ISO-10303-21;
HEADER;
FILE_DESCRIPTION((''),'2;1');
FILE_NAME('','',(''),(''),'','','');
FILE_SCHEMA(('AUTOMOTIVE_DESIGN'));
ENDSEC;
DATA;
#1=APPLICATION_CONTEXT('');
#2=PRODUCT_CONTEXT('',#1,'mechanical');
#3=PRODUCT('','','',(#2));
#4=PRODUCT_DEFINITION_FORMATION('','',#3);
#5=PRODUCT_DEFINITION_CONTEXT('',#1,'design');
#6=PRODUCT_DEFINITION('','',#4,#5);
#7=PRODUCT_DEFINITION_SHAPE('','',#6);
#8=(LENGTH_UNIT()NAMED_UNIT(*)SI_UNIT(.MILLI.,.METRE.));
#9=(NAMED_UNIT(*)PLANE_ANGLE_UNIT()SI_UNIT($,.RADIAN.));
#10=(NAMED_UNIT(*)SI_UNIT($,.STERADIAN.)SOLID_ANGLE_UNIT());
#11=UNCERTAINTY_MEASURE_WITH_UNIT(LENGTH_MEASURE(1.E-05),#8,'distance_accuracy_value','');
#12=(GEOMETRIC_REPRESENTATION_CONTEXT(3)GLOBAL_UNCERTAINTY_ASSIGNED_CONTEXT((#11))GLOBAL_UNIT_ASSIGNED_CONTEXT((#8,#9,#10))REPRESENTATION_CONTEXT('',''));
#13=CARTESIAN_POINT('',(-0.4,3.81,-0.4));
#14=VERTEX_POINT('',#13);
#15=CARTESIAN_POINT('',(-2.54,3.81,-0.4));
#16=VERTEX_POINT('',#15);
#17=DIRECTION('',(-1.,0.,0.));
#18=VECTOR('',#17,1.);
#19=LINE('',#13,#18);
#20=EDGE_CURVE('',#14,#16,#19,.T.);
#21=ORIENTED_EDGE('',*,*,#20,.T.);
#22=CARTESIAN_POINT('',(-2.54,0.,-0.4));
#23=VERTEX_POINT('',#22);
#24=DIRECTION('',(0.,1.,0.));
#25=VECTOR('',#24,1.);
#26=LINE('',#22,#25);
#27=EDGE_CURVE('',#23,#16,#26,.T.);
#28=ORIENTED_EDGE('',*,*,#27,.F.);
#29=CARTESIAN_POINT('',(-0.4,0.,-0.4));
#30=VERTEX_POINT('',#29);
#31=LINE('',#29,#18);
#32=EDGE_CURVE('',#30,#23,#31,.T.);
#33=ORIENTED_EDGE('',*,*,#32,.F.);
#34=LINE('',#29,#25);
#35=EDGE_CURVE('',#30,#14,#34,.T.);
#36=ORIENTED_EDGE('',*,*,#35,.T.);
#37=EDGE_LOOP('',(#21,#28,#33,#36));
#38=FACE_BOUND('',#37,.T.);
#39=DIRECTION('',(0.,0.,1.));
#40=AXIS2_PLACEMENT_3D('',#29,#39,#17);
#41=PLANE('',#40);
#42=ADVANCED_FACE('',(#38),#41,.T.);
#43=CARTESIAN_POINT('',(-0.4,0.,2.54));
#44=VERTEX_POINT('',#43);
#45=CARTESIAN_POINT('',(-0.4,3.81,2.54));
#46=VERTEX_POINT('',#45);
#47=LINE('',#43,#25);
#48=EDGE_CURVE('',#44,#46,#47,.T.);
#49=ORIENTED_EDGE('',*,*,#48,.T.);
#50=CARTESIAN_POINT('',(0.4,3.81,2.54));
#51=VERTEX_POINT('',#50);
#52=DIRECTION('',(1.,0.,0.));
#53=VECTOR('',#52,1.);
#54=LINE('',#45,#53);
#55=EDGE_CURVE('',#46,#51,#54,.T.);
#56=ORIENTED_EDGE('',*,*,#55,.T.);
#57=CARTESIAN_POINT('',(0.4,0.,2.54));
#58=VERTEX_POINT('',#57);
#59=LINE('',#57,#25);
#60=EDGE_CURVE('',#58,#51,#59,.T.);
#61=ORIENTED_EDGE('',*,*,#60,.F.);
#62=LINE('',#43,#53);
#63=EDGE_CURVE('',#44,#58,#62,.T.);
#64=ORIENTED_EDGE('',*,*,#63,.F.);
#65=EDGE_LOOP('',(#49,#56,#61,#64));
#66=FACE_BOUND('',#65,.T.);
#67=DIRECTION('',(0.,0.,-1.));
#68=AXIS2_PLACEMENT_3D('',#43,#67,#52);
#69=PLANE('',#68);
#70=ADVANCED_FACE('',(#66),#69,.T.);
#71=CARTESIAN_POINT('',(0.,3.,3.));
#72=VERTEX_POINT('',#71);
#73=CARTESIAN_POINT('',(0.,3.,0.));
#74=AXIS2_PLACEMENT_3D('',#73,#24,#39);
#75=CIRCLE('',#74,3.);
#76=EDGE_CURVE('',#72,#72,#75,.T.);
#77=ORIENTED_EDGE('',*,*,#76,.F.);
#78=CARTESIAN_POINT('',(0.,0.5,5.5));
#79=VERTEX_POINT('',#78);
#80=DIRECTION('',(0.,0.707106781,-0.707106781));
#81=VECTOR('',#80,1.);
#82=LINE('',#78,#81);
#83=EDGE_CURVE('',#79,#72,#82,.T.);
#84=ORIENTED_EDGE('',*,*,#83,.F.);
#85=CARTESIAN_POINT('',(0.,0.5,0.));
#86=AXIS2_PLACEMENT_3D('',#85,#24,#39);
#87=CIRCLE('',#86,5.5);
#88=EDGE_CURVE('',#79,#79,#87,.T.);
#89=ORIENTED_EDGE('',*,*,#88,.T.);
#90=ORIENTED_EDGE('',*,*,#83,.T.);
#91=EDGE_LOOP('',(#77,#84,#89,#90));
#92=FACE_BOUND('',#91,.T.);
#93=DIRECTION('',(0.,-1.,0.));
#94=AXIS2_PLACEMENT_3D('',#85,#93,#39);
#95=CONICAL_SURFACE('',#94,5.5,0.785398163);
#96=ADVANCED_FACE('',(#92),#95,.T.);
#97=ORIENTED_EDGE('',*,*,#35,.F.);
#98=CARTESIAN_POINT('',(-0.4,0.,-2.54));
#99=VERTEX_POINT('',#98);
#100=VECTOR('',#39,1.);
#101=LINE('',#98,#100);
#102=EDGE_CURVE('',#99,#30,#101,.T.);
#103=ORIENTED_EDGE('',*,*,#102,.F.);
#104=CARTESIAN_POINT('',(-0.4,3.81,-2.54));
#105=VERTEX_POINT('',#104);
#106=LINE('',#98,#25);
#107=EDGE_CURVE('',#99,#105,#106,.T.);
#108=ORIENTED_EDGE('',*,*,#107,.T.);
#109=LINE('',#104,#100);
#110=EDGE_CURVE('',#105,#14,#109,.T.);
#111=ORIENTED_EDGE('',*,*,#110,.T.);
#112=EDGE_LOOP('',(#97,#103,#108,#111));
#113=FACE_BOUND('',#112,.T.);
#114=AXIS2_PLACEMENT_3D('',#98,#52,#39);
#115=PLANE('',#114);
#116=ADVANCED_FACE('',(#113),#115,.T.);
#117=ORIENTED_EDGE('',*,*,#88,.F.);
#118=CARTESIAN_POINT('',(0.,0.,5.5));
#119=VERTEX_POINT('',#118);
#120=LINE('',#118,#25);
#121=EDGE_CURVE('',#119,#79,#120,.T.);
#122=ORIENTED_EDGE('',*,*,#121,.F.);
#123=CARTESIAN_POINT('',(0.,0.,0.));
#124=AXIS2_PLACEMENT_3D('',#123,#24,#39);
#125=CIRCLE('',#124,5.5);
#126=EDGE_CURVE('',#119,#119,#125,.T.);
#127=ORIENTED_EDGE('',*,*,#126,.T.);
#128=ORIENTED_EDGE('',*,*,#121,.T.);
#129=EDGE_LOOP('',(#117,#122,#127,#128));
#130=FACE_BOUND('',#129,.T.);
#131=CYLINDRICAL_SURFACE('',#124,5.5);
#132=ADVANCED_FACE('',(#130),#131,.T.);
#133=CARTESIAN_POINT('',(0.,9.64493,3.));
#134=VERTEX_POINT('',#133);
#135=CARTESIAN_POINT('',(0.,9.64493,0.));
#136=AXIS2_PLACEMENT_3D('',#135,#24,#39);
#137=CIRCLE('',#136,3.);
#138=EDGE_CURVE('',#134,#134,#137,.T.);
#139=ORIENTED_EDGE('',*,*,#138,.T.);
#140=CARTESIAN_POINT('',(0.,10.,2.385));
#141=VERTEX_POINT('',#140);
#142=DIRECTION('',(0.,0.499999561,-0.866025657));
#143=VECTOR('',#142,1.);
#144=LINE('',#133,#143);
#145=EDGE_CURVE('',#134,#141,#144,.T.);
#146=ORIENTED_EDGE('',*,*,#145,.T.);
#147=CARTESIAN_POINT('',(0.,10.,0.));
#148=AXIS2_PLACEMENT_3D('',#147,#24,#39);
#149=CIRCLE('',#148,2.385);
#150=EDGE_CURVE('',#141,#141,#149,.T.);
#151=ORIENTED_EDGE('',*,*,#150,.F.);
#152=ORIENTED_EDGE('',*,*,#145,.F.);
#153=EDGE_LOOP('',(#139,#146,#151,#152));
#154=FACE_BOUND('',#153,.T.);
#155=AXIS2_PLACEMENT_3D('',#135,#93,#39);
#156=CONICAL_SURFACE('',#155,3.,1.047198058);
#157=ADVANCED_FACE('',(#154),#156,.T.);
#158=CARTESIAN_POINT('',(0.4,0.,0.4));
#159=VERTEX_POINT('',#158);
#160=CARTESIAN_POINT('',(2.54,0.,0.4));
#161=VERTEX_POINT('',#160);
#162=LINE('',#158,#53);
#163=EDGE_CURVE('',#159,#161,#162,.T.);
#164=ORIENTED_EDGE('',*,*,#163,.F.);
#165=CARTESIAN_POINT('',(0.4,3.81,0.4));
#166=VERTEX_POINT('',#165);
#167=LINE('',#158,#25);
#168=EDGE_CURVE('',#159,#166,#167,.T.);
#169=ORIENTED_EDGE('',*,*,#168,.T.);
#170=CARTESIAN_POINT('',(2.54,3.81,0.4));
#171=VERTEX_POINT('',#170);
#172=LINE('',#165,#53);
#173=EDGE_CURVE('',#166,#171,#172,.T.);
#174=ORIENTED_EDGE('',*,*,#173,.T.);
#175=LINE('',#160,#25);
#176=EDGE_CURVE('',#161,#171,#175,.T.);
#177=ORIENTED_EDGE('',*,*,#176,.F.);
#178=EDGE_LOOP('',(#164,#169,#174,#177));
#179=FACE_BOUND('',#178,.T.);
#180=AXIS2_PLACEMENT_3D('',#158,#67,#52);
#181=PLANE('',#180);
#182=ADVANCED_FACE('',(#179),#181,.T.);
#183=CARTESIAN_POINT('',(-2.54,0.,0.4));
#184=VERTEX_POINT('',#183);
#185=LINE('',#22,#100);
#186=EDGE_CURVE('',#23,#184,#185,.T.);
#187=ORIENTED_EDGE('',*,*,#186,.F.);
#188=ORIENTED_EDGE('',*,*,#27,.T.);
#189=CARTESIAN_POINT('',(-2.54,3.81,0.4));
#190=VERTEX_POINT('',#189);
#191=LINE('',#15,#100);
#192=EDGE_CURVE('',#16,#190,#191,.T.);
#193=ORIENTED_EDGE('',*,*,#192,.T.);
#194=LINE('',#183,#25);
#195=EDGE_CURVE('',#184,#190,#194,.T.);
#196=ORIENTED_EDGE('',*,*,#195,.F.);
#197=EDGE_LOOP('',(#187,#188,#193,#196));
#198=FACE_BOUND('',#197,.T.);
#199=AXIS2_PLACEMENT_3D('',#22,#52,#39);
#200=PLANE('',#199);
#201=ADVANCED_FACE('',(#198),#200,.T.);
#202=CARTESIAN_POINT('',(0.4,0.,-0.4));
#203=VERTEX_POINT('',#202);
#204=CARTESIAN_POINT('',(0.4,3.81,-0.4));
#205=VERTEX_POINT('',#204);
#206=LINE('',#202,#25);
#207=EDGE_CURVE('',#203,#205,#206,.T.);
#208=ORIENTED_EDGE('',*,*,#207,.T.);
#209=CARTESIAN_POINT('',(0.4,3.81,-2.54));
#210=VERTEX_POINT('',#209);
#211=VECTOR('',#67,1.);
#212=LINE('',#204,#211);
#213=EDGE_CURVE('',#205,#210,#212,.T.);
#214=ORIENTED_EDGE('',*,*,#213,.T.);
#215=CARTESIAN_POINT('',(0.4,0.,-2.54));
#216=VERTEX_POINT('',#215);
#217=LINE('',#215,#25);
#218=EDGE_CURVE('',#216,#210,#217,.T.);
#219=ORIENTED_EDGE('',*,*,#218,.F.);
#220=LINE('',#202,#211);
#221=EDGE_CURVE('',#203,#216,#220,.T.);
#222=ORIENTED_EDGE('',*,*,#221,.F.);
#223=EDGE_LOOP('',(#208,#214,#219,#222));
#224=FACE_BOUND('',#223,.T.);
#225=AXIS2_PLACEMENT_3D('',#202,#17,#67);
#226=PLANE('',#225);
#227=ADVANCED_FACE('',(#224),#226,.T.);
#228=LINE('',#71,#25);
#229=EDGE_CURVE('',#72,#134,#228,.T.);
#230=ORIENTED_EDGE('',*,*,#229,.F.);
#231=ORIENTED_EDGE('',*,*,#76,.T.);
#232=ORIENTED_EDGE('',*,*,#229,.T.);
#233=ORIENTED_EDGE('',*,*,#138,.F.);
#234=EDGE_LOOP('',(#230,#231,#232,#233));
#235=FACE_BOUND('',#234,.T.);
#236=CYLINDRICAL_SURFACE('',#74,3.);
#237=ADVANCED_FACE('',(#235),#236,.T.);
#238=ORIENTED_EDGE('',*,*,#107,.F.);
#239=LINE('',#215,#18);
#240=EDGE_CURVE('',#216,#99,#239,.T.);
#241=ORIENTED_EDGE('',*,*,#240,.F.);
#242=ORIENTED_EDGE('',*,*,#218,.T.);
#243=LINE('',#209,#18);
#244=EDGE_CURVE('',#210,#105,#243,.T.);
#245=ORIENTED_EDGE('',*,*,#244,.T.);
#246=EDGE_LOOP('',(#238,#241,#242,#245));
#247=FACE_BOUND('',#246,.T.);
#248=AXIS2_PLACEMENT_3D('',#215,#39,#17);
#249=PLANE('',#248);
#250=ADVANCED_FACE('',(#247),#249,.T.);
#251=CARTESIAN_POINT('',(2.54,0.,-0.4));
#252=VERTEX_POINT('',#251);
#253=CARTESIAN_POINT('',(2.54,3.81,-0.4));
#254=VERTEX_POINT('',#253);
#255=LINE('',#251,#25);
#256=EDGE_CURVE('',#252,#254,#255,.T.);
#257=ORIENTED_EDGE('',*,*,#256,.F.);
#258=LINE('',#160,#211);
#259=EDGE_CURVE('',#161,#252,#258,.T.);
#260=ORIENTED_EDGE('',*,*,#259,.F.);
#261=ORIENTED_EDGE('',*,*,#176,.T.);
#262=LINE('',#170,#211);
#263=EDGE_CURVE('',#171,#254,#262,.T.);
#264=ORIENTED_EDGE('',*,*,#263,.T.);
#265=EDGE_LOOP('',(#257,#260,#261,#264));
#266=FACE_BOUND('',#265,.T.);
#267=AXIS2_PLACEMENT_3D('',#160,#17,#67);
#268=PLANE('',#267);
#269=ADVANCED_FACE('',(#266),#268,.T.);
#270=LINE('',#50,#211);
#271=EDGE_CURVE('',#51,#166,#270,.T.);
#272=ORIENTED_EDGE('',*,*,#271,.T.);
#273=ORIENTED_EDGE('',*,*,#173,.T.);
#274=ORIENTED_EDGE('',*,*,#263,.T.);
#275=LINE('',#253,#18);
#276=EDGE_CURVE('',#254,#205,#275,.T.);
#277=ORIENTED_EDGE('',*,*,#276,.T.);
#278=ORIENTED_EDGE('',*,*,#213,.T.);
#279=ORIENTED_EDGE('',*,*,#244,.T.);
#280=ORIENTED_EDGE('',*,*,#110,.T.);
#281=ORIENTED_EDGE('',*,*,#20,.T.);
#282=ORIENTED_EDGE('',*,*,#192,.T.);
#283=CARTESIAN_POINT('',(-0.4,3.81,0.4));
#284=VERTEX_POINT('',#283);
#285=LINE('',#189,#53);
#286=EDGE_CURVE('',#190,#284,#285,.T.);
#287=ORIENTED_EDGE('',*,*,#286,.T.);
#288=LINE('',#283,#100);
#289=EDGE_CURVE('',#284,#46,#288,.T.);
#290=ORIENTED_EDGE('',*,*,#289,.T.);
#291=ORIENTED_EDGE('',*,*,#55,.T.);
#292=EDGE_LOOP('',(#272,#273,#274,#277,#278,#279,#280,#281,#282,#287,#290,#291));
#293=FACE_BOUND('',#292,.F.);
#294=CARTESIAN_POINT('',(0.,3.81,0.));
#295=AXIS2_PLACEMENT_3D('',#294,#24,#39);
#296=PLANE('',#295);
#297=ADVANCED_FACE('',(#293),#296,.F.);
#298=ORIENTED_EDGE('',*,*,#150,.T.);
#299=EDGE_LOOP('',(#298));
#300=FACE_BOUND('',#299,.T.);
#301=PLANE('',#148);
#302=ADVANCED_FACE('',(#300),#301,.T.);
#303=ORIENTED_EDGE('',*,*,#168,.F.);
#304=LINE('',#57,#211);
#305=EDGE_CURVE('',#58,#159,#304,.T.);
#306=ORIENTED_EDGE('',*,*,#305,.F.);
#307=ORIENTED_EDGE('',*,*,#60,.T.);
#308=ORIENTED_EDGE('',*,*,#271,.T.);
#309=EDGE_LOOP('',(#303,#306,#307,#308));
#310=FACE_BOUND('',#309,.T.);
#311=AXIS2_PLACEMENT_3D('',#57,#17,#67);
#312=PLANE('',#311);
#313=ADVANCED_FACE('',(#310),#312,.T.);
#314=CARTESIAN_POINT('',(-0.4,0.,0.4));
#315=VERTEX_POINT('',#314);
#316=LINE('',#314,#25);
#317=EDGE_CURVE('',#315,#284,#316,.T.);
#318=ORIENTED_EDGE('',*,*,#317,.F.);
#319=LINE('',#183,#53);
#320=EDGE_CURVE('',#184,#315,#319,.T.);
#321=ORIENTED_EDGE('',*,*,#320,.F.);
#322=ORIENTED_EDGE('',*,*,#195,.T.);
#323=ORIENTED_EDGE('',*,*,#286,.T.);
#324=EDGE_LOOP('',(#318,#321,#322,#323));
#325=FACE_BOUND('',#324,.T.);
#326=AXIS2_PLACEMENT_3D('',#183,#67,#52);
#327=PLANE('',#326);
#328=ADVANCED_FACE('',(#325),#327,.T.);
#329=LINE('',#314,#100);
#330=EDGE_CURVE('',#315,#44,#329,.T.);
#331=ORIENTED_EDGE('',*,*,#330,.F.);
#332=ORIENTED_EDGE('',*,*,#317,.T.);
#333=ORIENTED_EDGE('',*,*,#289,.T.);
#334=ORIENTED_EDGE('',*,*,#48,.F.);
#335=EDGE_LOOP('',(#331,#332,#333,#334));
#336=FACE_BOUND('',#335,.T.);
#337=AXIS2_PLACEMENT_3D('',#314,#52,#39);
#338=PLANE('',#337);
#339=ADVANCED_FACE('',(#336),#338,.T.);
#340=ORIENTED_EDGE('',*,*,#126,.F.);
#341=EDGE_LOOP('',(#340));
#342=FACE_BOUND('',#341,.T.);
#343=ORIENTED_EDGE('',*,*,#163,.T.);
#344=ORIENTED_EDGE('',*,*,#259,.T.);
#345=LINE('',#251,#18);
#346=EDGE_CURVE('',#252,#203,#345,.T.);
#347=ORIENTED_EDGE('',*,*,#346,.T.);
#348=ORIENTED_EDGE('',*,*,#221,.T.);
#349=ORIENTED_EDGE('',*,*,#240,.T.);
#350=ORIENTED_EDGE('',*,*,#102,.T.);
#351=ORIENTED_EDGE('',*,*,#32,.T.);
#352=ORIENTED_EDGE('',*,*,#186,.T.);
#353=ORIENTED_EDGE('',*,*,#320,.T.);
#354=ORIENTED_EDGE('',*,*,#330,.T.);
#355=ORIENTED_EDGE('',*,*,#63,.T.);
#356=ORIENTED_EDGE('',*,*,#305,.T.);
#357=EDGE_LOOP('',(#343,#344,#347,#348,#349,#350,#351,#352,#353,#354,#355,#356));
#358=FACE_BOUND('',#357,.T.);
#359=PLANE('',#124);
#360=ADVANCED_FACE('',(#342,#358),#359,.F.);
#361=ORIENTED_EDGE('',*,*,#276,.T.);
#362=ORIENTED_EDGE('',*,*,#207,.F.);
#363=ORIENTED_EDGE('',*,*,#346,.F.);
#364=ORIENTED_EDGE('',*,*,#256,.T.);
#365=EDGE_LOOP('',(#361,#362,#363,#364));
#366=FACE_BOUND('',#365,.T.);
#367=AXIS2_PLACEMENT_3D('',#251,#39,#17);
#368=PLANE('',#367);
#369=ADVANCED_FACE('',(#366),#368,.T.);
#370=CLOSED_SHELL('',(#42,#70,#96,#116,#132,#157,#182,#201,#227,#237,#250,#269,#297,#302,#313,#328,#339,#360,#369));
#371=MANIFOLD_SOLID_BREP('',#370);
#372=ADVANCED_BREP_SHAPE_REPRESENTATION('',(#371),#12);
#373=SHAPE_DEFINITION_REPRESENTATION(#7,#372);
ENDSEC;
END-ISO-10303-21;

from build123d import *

# Parameters (mm, degrees)
POCKET_DEPTH = 3.81


with BuildPart() as part:
    # Sketch → Revolution (revolve)
    with BuildSketch(Plane.YZ):
        Polygon((0, 0), (0, 5.5), (0.5, 5.5), (3, 3), (9.64493, 3), (10, 2.385), (10, 0), align=None)
    revolve(axis=Axis((0, 0, 0), (0, 1, 0)))

    # Sketch001 → Pocket (cut)
    with BuildSketch(Plane(origin=(0, 0, 0), x_dir=(0, 0, -1), z_dir=(0, -1, 0))):
        Polygon((-2.54, 0.4), (-0.4, 0.4), (-0.4, 2.54), (0.4, 2.54), (0.4, 0.4), (2.54, 0.4), (2.54, -0.4), (0.4, -0.4), (0.4, -2.54), (-0.4, -2.54), (-0.4, -0.4), (-2.54, -0.4), align=None)
    extrude(amount=-POCKET_DEPTH, mode=Mode.SUBTRACT)


solid = part.part
